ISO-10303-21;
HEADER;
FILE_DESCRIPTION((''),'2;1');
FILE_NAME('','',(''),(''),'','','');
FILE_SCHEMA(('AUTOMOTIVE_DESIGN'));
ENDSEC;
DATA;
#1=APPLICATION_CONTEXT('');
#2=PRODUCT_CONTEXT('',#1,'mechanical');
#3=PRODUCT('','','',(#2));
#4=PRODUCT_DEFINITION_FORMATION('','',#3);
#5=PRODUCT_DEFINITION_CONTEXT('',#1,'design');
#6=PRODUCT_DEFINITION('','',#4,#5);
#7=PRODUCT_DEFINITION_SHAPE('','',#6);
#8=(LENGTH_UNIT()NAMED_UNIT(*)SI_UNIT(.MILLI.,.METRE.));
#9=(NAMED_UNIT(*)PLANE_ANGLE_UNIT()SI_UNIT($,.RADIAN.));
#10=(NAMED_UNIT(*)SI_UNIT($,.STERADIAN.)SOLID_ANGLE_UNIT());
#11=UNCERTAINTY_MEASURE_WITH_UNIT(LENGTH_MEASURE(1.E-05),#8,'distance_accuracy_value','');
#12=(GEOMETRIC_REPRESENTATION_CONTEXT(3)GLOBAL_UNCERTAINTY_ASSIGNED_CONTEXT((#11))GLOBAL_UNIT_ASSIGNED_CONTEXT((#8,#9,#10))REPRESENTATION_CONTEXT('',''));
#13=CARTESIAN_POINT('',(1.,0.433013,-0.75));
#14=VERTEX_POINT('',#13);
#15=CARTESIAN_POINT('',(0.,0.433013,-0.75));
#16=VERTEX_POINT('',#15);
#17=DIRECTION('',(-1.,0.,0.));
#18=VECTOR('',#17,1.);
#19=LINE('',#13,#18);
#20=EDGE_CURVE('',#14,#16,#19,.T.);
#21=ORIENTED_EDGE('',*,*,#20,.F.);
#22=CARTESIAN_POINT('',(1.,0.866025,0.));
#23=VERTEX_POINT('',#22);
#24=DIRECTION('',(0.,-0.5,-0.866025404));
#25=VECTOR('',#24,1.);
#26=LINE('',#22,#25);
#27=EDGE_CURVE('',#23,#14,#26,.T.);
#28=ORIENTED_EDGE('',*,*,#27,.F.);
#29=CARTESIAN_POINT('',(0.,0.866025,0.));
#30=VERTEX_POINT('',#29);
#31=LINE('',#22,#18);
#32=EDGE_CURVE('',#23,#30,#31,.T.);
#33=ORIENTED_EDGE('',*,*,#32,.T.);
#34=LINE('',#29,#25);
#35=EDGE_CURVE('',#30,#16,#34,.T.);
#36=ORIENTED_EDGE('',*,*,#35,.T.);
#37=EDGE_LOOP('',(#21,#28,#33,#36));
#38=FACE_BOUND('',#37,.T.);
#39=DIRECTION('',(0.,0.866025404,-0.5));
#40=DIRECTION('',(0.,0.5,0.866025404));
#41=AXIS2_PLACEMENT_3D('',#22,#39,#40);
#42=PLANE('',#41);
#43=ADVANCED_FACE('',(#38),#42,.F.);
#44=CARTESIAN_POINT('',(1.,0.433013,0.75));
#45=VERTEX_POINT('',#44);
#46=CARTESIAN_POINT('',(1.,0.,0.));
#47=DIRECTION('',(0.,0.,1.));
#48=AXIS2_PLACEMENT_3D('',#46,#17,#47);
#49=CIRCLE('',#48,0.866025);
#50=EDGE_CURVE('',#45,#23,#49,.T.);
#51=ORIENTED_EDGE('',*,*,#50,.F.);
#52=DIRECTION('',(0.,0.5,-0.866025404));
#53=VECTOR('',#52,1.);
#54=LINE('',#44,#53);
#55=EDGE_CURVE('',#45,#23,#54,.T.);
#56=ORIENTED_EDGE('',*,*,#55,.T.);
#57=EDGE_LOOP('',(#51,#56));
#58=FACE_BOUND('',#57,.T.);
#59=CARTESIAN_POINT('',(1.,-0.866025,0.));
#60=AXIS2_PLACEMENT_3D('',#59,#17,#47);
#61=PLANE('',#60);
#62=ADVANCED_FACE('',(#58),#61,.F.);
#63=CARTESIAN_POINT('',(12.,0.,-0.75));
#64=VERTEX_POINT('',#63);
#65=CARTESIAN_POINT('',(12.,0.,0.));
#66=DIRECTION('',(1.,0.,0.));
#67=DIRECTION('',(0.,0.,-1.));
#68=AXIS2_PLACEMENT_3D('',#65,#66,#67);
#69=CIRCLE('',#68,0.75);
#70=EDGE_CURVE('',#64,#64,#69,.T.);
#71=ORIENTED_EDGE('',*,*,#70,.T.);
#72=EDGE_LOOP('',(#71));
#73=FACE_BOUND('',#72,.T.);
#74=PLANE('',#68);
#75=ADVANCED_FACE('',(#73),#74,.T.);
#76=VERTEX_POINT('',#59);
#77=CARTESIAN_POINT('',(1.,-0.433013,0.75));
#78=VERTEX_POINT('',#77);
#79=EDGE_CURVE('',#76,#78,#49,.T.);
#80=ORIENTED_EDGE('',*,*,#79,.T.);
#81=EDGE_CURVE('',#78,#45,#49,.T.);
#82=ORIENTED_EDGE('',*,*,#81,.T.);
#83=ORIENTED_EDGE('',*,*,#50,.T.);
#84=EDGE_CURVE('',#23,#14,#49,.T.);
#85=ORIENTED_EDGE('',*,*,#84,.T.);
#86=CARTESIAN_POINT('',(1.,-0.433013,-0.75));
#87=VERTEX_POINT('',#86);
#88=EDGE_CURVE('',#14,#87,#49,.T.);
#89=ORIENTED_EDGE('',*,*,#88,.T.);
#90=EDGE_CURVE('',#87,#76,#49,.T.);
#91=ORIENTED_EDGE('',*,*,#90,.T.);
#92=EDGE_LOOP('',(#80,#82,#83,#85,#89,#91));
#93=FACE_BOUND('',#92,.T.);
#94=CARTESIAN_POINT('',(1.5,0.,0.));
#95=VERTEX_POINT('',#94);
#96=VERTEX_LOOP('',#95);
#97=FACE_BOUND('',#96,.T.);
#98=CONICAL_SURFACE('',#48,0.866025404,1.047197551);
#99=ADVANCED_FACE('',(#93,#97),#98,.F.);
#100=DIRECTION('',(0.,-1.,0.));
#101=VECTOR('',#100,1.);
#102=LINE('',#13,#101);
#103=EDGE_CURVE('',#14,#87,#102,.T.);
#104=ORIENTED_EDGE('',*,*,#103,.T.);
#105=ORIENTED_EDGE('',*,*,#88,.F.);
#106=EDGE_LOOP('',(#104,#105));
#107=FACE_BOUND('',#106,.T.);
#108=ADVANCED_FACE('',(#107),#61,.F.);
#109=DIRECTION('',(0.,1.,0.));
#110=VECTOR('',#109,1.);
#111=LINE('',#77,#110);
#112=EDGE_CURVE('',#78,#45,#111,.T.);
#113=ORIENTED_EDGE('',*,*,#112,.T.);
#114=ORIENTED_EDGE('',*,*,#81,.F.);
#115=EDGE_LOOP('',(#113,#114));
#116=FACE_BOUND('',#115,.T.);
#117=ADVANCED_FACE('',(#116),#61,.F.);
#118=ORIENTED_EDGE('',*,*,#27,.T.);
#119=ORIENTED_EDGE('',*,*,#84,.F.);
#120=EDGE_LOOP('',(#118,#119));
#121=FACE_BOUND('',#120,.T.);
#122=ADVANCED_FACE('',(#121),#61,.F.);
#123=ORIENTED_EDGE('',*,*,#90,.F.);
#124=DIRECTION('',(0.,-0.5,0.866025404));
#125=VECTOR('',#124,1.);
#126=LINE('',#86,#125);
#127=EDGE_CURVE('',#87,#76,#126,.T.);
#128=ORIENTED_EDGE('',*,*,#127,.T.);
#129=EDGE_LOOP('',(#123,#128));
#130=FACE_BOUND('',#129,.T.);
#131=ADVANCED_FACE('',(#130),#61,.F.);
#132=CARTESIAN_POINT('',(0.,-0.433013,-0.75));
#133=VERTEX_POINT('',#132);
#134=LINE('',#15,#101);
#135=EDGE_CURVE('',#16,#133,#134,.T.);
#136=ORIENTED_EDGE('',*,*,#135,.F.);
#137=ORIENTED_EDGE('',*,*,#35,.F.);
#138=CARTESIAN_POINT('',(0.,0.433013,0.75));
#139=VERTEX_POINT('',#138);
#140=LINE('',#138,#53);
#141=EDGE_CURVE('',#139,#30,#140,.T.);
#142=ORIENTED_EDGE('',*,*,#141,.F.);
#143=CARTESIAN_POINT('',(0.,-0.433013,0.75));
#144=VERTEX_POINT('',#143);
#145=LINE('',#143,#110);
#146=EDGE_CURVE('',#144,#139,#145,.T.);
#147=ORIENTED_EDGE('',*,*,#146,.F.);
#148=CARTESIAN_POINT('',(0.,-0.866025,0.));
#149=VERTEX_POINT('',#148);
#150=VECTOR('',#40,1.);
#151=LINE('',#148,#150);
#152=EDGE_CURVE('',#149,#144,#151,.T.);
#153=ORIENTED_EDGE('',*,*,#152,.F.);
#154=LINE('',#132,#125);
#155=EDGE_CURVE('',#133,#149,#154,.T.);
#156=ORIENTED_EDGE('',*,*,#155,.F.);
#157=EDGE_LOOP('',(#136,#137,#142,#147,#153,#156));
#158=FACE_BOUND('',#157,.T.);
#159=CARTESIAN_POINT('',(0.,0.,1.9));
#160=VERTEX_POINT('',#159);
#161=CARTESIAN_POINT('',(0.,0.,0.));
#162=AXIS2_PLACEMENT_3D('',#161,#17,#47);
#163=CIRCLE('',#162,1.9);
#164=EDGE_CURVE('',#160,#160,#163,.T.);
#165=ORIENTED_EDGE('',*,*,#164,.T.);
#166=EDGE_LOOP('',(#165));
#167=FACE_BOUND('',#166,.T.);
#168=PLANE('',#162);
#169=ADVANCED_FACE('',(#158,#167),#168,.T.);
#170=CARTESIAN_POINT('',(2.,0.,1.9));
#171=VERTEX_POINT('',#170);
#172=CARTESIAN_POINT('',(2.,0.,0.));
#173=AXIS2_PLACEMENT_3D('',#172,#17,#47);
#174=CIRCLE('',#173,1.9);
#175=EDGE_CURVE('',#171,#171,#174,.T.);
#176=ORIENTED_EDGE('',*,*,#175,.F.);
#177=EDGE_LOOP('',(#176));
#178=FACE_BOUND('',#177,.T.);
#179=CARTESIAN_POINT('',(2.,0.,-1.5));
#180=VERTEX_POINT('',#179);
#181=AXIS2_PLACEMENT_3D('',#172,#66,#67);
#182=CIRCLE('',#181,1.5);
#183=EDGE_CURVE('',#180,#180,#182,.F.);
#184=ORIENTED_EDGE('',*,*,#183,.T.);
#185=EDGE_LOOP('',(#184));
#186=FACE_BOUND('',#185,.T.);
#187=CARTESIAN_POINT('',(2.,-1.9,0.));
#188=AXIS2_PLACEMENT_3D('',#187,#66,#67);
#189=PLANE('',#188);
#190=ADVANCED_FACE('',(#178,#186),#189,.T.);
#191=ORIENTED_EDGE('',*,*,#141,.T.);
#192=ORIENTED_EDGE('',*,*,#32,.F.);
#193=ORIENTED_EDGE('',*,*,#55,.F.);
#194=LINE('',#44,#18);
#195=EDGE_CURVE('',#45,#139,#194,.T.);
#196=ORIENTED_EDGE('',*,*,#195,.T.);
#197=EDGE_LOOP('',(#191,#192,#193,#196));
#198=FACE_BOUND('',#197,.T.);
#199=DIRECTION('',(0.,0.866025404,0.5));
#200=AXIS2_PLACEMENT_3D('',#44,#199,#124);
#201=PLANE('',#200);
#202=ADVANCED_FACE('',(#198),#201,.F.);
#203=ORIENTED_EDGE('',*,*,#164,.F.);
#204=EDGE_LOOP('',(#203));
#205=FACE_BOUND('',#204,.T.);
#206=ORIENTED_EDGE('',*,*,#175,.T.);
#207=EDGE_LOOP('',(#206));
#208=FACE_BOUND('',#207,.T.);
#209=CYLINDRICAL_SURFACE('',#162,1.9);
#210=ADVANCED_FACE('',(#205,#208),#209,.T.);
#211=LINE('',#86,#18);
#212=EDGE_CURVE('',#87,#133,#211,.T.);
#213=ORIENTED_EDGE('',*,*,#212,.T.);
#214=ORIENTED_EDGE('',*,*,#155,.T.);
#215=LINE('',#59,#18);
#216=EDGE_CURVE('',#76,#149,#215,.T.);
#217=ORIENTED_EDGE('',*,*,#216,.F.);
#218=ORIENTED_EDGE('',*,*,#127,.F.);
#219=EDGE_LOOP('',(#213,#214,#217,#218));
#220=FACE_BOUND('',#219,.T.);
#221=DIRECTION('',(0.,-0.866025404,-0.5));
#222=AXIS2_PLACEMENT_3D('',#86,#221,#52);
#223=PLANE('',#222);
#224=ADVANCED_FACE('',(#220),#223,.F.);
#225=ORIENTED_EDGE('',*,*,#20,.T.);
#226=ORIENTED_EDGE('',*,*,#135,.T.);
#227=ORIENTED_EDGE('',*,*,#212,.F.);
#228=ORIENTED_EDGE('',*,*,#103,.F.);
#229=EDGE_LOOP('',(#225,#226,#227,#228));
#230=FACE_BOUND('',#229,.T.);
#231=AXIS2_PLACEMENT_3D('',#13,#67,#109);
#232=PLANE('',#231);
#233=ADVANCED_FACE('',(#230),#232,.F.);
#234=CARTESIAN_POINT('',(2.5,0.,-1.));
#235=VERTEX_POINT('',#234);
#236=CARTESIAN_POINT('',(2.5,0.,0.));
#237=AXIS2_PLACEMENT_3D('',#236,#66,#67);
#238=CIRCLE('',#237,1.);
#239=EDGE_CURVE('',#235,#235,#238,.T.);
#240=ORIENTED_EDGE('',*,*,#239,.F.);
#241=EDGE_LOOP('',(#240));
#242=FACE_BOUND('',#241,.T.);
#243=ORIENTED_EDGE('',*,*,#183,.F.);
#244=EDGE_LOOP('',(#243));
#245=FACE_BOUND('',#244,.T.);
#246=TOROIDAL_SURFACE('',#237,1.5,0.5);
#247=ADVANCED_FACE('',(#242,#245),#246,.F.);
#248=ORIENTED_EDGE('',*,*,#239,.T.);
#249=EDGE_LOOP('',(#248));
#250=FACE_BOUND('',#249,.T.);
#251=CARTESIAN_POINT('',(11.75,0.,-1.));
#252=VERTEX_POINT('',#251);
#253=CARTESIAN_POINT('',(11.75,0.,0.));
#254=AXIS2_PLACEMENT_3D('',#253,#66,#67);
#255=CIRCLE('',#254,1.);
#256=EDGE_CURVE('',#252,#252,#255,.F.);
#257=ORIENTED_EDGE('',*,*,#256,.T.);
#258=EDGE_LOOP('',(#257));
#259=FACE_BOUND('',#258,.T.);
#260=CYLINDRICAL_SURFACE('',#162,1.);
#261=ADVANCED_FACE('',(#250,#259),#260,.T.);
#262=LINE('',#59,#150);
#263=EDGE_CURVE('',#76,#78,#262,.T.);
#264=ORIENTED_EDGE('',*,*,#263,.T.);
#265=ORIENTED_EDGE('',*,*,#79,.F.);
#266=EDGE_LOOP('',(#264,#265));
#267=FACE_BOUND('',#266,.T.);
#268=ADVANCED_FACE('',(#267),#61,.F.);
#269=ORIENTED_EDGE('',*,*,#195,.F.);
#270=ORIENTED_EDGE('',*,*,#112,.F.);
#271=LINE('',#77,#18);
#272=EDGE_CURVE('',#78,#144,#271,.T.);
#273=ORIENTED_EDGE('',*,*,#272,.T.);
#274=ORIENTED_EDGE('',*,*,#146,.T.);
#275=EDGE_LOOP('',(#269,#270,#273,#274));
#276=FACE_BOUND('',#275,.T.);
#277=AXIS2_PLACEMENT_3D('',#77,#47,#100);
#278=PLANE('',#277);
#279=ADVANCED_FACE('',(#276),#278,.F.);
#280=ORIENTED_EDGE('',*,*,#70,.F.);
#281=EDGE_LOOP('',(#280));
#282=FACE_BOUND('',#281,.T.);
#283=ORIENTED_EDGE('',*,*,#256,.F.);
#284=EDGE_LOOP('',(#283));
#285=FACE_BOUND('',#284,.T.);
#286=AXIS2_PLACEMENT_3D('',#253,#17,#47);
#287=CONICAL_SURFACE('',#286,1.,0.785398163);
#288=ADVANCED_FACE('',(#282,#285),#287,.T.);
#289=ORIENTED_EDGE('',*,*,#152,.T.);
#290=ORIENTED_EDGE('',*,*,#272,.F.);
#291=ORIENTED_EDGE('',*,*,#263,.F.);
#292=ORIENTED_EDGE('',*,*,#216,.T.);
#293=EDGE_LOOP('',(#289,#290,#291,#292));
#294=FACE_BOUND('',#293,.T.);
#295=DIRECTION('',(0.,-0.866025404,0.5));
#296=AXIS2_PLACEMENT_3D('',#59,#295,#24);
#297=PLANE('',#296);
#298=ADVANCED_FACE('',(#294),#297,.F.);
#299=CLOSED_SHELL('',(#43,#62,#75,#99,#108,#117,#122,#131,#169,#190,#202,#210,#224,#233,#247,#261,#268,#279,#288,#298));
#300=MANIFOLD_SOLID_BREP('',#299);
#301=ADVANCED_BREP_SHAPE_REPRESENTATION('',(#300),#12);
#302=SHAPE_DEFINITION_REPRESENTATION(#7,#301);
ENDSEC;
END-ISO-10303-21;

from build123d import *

# Parameters (mm, degrees)
FILLET_1_R          = 0.5
CUT_EXTRUDE_2_DEPTH = 1
CHAMFER_3_SIZE      = 0.25


with BuildPart() as part:
    # Эскиз2 → Повернуть1 (revolve)
    with BuildSketch(Plane.XY):
        Polygon((0, 0), (0, -1.9), (2, -1.9), (2, -1), (12, -1), (12, 0), align=None)
    revolve(axis=Axis((0, 0, 0), (1, 0, 0)))

    # Скругление1
    fillet_1_edges = [part.edges().sort_by_distance(p)[0] for p in [
        (2, 1, 0),
    ]]
    fillet(fillet_1_edges, radius=FILLET_1_R)

    # Эскиз3 → Вырез-Вытянуть2 (cut)
    with BuildSketch(Plane.ZY):
        Polygon((0, 0.866025404), (-0.75, 0.433012702), (-0.75, -0.433012702), (0, -0.866025404), (0.75, -0.433012702), (0.75, 0.433012702), align=None)
    extrude(amount=-CUT_EXTRUDE_2_DEPTH, mode=Mode.SUBTRACT)

    # Эскиз5 → Вырез-Повернуть1 (revolve, cut)
    with BuildSketch(Plane.XY):
        Polygon((1, -0.866025404), (1, 0), (1.5, 0), align=None)
    revolve(axis=Axis((1, 0, 0), (1, 0, 0)), mode=Mode.SUBTRACT)

    # Фаска3
    chamfer_3_edges = [part.edges().sort_by_distance(p)[0] for p in [
        (12, 1, 0),
    ]]
    chamfer(chamfer_3_edges, length=CHAMFER_3_SIZE)


solid = part.part
